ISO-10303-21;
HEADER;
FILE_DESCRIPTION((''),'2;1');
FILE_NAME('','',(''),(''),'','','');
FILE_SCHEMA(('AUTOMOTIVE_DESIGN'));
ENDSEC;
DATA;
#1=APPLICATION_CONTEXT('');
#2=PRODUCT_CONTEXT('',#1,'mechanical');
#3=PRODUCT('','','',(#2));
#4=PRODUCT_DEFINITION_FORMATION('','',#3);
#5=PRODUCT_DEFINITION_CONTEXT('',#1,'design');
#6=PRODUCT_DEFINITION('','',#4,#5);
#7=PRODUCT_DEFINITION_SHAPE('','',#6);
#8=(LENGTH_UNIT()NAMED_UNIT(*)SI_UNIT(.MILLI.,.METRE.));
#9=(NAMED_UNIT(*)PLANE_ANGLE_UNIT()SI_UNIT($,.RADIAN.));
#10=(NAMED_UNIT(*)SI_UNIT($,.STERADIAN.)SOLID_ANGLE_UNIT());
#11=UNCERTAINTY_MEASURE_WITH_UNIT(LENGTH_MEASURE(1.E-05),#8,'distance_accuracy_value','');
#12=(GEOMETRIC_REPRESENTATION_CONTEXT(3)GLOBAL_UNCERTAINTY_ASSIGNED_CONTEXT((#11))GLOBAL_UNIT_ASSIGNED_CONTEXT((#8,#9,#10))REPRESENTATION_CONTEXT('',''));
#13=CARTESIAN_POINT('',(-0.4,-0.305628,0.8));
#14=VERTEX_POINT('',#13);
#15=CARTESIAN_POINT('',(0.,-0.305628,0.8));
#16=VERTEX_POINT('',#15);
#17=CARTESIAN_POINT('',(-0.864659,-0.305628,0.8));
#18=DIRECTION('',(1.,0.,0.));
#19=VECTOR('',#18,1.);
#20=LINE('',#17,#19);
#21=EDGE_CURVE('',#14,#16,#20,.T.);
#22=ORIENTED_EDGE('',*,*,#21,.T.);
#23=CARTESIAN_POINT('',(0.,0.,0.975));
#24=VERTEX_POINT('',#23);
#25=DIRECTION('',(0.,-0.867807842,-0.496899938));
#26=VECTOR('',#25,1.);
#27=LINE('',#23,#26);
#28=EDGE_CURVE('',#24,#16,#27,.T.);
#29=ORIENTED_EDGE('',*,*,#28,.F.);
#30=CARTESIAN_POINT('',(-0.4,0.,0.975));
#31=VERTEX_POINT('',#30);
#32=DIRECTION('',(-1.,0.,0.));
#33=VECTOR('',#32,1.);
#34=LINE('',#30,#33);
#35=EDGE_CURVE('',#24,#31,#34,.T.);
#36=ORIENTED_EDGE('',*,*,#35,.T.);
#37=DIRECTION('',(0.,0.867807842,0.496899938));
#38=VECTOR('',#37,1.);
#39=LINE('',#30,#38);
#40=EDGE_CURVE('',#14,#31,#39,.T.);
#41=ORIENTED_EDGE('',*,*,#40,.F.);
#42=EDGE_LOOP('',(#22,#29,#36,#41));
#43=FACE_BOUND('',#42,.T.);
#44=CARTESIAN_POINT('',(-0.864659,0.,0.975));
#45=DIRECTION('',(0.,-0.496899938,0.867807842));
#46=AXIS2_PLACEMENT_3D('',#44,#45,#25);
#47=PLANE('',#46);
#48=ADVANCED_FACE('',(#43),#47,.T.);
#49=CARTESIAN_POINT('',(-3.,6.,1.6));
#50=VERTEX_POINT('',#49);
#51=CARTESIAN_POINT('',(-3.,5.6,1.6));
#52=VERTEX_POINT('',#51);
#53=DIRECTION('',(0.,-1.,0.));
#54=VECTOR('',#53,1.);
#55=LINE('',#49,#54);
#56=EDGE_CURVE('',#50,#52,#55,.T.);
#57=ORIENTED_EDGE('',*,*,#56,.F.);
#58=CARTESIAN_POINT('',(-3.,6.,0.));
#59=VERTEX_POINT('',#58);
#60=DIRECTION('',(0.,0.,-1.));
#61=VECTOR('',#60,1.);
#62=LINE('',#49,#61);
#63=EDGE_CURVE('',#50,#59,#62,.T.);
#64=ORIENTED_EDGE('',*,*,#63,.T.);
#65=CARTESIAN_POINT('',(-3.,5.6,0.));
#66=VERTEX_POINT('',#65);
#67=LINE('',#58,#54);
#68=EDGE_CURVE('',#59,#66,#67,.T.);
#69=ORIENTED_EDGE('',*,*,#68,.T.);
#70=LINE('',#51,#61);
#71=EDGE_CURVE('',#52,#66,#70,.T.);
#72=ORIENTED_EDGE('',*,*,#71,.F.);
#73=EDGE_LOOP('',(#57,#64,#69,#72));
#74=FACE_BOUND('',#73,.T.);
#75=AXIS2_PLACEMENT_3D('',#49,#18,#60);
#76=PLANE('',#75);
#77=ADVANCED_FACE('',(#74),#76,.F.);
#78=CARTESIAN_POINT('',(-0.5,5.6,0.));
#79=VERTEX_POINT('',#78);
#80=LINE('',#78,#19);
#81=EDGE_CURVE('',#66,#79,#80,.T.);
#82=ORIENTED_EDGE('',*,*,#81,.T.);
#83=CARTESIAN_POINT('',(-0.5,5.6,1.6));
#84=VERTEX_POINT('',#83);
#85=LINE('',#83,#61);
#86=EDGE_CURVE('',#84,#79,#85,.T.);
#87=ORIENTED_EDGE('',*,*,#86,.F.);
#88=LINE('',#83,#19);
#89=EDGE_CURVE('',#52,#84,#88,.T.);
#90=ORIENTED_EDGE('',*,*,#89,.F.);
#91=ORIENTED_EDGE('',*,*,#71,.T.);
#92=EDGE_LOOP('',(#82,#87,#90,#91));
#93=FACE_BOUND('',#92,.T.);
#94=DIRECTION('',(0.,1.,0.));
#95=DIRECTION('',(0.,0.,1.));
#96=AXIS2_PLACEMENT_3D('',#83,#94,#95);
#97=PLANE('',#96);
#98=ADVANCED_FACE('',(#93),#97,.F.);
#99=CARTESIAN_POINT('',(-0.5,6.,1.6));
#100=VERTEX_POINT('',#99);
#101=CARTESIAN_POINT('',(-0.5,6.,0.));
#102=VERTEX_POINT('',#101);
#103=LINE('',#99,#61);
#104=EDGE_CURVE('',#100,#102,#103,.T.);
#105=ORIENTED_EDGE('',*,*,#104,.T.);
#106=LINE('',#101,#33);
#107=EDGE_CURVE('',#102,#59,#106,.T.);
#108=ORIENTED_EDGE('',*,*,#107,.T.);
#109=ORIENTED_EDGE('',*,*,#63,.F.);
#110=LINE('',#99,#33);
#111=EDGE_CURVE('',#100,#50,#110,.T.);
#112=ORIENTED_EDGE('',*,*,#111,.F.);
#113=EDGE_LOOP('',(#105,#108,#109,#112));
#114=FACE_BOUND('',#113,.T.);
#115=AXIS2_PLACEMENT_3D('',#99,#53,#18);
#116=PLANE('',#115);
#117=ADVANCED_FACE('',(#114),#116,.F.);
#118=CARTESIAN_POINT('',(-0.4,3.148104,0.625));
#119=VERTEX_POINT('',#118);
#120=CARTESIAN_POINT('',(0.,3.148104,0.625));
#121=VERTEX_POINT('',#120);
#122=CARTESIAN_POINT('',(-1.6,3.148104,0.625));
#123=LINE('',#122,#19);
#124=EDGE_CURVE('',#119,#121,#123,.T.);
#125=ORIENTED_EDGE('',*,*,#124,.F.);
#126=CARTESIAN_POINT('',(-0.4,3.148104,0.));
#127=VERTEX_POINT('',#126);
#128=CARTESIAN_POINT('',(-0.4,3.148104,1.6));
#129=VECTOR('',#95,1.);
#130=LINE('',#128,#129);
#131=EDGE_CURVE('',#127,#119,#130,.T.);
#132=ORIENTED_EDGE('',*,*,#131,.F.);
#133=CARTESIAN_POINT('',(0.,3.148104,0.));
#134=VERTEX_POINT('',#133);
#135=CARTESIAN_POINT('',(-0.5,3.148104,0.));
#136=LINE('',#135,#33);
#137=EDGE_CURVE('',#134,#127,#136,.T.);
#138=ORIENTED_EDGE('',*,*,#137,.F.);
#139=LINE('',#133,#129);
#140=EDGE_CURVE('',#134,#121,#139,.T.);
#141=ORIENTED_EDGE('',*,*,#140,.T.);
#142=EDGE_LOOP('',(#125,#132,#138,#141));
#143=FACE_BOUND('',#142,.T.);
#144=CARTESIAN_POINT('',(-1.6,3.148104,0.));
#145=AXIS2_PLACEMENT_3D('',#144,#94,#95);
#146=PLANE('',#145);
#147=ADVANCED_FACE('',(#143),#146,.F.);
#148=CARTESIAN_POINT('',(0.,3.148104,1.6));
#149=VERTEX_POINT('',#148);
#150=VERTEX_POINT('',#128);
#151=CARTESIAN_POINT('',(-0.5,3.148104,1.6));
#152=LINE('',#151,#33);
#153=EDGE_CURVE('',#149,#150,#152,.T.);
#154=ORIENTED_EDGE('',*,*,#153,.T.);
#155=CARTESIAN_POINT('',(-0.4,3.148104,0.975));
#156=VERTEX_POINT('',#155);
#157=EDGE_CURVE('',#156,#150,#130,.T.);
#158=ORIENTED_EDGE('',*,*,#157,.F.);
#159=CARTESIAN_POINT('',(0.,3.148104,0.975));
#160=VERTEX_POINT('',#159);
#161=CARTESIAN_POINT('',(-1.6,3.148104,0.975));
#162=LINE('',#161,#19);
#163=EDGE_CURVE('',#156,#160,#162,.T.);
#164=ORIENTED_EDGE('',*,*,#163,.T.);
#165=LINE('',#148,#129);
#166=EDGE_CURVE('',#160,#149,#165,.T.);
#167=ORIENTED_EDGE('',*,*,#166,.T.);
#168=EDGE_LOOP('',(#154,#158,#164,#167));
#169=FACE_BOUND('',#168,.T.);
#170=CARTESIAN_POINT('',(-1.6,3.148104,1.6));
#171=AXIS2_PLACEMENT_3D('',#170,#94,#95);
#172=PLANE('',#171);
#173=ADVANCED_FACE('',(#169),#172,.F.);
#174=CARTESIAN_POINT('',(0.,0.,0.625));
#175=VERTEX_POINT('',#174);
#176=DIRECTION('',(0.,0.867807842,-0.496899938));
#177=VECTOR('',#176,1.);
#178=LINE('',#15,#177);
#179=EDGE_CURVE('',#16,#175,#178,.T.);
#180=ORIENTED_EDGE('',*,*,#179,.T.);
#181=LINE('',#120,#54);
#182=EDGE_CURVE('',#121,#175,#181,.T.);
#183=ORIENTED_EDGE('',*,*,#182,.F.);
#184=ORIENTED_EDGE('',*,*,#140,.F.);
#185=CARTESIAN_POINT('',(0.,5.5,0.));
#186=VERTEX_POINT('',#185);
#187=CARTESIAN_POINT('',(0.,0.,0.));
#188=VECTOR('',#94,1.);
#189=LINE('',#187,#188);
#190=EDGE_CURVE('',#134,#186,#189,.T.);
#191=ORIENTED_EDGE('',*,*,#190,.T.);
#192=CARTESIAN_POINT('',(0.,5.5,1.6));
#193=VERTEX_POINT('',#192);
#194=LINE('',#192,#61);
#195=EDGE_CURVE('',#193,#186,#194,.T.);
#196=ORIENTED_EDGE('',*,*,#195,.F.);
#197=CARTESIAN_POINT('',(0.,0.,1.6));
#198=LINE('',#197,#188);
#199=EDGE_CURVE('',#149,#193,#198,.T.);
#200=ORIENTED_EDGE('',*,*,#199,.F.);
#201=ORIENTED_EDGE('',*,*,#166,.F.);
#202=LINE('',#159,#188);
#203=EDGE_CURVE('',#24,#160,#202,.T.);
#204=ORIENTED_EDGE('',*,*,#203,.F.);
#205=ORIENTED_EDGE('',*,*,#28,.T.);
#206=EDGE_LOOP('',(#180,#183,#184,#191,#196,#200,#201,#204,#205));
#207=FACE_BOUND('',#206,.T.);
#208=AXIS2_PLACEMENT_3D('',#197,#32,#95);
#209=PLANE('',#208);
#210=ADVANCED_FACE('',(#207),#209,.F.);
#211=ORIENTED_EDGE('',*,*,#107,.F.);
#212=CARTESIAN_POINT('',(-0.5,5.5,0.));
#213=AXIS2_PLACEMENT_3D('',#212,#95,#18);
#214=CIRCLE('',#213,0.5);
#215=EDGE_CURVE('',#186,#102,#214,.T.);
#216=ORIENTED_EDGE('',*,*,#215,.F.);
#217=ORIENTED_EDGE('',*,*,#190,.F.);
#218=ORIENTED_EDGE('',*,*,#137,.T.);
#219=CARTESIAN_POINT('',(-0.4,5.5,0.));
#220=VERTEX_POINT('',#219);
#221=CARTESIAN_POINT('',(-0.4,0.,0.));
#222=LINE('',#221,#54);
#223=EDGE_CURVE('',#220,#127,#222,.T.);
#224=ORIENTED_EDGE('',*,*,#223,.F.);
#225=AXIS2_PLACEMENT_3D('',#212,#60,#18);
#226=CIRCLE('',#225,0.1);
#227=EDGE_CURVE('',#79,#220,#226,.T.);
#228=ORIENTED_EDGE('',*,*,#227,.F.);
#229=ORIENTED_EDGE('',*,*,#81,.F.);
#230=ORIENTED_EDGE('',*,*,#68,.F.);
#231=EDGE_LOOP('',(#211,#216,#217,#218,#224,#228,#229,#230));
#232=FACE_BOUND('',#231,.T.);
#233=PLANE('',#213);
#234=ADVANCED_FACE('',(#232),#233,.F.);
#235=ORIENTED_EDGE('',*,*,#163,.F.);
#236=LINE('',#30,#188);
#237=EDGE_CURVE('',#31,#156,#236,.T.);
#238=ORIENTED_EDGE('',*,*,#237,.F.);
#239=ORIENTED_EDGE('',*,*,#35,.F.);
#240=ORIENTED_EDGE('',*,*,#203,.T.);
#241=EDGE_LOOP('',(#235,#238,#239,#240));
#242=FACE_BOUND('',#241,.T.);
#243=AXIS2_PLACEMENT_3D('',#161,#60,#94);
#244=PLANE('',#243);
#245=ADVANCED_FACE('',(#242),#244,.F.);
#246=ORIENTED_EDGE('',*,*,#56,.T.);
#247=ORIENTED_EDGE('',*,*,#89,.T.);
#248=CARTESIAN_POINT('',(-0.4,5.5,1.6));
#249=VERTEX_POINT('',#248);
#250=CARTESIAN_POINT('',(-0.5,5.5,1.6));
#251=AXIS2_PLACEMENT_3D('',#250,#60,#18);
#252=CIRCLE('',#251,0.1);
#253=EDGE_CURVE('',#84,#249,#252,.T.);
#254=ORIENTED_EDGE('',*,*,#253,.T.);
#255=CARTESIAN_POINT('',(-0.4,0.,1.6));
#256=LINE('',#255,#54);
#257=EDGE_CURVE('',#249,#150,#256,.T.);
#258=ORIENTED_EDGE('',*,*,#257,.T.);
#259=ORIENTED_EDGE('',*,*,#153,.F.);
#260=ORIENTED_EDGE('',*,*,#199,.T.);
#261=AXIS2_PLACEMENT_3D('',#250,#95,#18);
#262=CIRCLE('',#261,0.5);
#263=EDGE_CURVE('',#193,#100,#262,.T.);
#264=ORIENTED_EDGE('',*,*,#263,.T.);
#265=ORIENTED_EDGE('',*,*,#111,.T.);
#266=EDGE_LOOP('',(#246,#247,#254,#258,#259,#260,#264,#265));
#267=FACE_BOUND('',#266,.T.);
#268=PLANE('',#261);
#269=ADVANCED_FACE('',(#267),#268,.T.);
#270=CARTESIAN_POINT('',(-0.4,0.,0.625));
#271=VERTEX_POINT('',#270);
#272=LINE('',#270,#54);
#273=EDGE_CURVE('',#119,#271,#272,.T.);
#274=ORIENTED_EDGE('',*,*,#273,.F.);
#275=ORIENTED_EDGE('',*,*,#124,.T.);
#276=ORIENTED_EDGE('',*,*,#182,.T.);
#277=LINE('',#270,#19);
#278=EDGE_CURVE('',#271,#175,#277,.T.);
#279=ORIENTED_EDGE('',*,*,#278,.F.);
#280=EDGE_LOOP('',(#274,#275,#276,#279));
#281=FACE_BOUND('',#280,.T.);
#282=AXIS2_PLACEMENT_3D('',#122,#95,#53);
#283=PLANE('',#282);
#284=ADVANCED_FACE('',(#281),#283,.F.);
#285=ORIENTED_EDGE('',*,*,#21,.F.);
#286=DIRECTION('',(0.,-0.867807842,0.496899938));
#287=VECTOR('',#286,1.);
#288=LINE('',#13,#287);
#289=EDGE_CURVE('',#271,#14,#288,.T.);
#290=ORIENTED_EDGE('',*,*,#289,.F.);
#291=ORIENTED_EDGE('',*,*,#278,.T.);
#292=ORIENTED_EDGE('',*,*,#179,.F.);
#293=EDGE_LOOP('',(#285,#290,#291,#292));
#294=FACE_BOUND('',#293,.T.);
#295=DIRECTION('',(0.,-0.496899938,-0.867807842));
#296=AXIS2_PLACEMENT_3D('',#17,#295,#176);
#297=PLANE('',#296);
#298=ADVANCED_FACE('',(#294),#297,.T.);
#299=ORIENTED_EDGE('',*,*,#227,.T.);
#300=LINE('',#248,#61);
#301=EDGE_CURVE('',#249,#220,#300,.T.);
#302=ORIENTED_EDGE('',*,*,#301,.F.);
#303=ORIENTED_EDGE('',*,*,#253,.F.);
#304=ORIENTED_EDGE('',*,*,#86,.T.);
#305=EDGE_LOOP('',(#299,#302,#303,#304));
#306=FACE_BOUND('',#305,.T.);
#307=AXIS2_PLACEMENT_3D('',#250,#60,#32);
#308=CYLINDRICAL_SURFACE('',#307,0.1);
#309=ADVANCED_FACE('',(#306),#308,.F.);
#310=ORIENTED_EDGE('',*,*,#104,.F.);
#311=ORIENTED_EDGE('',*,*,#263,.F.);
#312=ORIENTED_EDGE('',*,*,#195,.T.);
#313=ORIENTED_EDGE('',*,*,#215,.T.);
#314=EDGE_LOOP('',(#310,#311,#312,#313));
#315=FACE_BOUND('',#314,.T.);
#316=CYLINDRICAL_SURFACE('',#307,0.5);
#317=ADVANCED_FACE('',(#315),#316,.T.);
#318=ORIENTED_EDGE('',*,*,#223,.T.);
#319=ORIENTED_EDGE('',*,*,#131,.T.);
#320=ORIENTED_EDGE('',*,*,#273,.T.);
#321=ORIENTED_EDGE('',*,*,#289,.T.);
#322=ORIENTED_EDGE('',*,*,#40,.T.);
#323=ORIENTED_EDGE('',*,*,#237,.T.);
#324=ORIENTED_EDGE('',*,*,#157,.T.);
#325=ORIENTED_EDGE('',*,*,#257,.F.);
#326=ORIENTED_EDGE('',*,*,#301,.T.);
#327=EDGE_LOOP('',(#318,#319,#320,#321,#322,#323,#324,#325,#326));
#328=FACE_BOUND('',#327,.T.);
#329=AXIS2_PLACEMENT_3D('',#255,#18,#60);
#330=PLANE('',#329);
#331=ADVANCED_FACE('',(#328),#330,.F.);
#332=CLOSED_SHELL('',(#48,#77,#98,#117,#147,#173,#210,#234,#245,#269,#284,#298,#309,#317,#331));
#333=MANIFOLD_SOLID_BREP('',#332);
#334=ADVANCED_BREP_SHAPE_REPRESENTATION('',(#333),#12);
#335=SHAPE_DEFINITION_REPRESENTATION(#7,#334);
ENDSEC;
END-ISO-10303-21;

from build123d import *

# Parameters (mm, degrees)
BOSS_EXTRUDE1_DEPTH = 1.6
SKETCH2_W           = 0.625
SKETCH2_H           = 3.5
CUT_EXTRUDE1_DEPTH  = 1.6
BOSS_EXTRUDE2_DEPTH = 0.4


with BuildPart() as part:
    # Sketch1 → Boss-Extrude1 (new body)
    with BuildSketch(Plane.XY):
        with BuildLine():
            Line((0, 0), (0, 5.5))
            ThreePointArc((0, 5.5), (-0.146446609, 5.853553391), (-0.5, 6))
            Line((-0.5, 6), (-3, 6))
            Line((-3, 6), (-3, 5.6))
            Line((-3, 5.6), (-0.5, 5.6))
            ThreePointArc((-0.5, 5.6), (-0.429289322, 5.570710678), (-0.4, 5.5))
            Line((-0.4, 5.5), (-0.4, 0))
            Line((-0.4, 0), (0, 0))
        make_face()
    extrude(amount=BOSS_EXTRUDE1_DEPTH)

    # Sketch2 → Cut-Extrude1 (cut)
    with BuildSketch(Plane(origin=(0, 0, 0), x_dir=(0, 0, -1), z_dir=(1, 0, 0))):
        with Locations((-1.2875, 1.398103513)):
            Rectangle(SKETCH2_W, SKETCH2_H)
        with Locations((-0.3125, 1.398103513)):
            Rectangle(SKETCH2_W, SKETCH2_H)
    extrude(amount=-CUT_EXTRUDE1_DEPTH, mode=Mode.SUBTRACT)

    # Sketch3 → Boss-Extrude2 (add)
    with BuildSketch(Plane(origin=(0, 0, 0), x_dir=(0, 0, -1), z_dir=(1, 0, 0))):
        Polygon((-0.975, 0), (-0.8, -0.305627674), (-0.625, 0), align=None)
    extrude(amount=-BOSS_EXTRUDE2_DEPTH)


solid = part.part
